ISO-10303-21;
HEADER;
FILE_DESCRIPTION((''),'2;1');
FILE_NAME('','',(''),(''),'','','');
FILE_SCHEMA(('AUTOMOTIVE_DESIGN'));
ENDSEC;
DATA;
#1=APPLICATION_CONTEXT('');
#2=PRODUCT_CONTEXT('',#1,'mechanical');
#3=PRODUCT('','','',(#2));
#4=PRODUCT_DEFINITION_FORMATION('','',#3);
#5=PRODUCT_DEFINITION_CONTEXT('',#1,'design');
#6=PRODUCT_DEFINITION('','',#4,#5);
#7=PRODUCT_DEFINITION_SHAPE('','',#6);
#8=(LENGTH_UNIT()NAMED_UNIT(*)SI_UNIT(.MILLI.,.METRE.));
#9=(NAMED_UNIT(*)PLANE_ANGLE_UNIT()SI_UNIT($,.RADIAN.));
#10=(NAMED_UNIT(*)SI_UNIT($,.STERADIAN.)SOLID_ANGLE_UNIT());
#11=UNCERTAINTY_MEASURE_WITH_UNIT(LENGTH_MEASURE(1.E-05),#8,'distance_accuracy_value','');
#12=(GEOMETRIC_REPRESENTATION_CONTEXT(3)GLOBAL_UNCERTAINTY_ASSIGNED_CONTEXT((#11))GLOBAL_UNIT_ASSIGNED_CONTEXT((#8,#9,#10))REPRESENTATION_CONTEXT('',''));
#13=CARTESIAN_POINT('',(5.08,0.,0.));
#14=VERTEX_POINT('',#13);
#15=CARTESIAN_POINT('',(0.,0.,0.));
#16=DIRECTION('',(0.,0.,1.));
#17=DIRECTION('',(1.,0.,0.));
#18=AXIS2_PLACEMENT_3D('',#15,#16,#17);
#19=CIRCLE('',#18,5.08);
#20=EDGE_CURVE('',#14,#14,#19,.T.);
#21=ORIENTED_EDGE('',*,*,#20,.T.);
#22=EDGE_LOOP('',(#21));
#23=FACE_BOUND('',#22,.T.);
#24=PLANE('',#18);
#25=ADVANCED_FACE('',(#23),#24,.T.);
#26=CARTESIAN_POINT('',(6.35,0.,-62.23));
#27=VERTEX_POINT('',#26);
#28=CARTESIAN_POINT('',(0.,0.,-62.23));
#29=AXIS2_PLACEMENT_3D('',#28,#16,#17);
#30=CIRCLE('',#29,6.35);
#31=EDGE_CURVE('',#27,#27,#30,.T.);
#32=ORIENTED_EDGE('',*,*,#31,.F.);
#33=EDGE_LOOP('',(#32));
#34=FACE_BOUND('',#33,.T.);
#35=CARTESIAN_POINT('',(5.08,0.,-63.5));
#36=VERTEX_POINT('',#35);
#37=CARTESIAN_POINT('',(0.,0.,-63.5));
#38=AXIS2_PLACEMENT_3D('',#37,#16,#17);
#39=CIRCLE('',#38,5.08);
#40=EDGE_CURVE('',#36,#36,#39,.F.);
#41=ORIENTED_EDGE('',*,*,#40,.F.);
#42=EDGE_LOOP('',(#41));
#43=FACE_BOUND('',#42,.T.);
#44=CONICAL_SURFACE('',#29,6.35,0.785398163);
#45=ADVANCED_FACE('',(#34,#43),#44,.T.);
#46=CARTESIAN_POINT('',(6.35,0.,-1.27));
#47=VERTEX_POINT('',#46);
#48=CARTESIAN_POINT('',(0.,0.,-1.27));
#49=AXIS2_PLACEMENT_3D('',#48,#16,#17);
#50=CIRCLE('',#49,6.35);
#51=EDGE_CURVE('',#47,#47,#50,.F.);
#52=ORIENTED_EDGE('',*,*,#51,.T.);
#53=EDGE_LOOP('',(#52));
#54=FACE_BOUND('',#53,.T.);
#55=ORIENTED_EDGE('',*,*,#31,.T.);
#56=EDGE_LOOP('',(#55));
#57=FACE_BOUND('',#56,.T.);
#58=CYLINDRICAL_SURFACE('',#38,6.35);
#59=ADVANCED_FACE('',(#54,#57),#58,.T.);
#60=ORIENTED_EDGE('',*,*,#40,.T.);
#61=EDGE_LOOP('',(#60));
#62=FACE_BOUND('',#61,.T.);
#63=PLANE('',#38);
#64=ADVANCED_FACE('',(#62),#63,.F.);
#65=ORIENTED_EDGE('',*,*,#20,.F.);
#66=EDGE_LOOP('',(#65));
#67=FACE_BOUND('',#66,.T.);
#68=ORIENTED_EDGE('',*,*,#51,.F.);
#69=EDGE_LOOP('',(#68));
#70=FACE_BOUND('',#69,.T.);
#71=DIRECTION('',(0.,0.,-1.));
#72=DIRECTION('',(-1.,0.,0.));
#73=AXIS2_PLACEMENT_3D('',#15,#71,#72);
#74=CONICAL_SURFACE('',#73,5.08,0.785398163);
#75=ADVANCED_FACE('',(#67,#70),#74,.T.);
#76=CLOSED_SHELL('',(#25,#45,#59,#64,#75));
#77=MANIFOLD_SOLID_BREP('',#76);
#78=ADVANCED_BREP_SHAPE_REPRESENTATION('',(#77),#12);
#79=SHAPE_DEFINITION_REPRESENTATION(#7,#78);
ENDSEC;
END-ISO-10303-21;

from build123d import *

# Parameters (mm, degrees)
SKETCH1_R           = 6.35
BOSS_EXTRUDE1_DEPTH = 63.5
CHAMFER1_SIZE       = 1.27


with BuildPart() as part:
    # Sketch1 → Boss-Extrude1 (new body)
    with BuildSketch(Plane.XY):
        Circle(SKETCH1_R)
    extrude(amount=-BOSS_EXTRUDE1_DEPTH)

    # Chamfer1
    chamfer1_edges = [part.edges().sort_by_distance(p)[0] for p in [
        (-6.35, 0, 0),
        (-6.35, 0, -63.5),
    ]]
    chamfer(chamfer1_edges, length=CHAMFER1_SIZE)


solid = part.part
